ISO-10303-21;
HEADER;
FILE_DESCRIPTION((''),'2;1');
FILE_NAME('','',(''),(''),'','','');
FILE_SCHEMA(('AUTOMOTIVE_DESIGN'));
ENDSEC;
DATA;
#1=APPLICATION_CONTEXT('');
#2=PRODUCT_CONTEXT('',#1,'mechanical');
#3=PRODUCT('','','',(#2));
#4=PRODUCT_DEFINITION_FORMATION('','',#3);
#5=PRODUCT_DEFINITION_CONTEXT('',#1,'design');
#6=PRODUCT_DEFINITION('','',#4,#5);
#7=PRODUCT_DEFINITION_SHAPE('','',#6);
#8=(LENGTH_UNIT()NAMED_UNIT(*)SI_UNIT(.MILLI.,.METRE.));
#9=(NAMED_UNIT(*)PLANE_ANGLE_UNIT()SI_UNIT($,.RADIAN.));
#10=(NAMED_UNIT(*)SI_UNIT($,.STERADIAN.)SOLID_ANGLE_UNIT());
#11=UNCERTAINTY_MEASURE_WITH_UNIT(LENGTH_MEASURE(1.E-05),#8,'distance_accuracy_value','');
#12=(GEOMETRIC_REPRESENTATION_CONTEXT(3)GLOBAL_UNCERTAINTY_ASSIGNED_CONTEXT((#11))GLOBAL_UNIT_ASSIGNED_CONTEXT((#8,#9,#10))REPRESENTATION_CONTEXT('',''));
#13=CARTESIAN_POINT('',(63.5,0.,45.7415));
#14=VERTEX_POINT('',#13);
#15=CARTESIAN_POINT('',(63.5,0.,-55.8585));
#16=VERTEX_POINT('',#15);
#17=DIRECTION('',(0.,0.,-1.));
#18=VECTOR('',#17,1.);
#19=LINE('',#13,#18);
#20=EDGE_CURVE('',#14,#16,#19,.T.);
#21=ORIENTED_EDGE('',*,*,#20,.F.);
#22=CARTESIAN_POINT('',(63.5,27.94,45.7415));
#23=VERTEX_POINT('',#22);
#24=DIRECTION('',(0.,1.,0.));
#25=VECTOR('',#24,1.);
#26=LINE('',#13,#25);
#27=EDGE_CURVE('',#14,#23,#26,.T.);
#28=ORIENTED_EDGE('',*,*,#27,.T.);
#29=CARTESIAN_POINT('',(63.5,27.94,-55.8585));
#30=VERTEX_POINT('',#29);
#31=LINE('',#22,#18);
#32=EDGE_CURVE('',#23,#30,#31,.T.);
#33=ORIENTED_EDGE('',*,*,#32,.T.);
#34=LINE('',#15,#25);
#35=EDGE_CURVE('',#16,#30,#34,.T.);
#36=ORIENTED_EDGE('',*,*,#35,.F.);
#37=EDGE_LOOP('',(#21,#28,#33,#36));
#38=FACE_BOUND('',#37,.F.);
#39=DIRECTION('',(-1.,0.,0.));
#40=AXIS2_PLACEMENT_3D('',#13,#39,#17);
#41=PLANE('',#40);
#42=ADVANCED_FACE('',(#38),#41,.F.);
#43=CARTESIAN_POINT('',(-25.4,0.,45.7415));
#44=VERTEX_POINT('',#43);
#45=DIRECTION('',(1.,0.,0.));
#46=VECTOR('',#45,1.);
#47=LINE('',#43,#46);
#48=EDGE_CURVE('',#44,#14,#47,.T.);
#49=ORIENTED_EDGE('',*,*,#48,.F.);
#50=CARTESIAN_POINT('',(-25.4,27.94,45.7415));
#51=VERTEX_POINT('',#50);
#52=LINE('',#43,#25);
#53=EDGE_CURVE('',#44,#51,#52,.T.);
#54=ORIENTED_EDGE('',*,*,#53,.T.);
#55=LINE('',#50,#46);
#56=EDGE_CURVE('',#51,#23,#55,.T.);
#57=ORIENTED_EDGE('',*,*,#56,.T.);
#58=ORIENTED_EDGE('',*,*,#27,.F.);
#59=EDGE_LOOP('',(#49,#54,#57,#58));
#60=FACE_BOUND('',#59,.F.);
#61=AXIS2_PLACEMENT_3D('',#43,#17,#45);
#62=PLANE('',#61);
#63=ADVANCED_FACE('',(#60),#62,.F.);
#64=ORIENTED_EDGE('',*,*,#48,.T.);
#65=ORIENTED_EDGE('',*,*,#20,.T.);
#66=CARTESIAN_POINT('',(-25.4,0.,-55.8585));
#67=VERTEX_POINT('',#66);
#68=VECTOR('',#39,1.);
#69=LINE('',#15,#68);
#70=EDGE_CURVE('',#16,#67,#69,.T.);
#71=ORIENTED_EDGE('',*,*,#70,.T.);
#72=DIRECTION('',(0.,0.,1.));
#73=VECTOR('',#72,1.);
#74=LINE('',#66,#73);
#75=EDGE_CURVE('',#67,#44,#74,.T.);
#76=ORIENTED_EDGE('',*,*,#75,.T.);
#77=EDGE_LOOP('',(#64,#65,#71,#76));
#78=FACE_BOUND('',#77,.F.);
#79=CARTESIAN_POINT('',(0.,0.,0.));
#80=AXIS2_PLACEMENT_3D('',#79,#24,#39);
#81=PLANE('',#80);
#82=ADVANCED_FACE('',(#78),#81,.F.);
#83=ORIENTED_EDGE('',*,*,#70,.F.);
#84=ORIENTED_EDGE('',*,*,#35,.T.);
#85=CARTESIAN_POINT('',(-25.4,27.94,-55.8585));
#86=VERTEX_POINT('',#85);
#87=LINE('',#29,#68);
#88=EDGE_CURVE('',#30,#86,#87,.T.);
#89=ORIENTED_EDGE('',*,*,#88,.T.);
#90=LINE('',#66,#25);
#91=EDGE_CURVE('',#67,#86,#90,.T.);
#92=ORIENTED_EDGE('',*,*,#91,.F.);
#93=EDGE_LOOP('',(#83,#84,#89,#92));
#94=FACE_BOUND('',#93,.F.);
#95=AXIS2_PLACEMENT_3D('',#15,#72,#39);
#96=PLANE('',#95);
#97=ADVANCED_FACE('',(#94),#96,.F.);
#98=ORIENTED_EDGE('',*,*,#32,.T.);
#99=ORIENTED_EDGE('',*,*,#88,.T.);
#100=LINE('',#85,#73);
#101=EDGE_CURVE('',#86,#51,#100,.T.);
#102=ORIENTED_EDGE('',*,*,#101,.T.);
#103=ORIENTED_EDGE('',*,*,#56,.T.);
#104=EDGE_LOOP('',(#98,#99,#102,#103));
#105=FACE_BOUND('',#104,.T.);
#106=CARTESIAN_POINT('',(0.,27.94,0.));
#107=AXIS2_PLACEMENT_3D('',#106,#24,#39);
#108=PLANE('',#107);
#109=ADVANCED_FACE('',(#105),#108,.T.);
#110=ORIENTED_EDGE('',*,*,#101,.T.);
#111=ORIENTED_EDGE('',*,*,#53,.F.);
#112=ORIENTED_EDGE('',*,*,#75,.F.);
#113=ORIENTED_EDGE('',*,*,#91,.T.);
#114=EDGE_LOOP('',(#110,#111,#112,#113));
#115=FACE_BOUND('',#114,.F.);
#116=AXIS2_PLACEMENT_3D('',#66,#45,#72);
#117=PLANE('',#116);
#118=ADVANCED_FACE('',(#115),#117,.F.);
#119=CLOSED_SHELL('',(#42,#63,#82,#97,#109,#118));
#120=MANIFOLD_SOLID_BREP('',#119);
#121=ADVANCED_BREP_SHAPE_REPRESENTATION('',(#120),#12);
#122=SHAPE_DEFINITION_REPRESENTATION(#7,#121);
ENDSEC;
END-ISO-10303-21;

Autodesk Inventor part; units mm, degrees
ref_plane "YZ Plane" through (0, 0, 0) normal (1, 0, 0) x (0, 1, 0)
ref_plane "XZ Plane" through (0, 0, 0) normal (0, 1, 0) x (-1, 0, 0)
ref_plane "XY Plane" through (0, 0, 0) normal (0, 0, 1) x (1, 0, 0)
sketch "Sketch1" plane through (0, 0, 0) normal (0, 1, 0) x (-1, 0, 0)
  line L0 (25.4, 45.7415) -> (-63.5, 45.7415)
  line L1 (-63.5, 45.7415) -> (-63.5, -55.8585)
  line L2 (-63.5, -55.8585) -> (25.4, -55.8585)
  line L3 (25.4, -55.8585) -> (25.4, 45.7415)
  point P0 (0, 0)
  dimension "d0" = 101.6
  dimension "d1" = 88.9
extrude "Extrusion1" add sketch "Sketch1" along normal blind 27.94
properties part number "Jetson"
